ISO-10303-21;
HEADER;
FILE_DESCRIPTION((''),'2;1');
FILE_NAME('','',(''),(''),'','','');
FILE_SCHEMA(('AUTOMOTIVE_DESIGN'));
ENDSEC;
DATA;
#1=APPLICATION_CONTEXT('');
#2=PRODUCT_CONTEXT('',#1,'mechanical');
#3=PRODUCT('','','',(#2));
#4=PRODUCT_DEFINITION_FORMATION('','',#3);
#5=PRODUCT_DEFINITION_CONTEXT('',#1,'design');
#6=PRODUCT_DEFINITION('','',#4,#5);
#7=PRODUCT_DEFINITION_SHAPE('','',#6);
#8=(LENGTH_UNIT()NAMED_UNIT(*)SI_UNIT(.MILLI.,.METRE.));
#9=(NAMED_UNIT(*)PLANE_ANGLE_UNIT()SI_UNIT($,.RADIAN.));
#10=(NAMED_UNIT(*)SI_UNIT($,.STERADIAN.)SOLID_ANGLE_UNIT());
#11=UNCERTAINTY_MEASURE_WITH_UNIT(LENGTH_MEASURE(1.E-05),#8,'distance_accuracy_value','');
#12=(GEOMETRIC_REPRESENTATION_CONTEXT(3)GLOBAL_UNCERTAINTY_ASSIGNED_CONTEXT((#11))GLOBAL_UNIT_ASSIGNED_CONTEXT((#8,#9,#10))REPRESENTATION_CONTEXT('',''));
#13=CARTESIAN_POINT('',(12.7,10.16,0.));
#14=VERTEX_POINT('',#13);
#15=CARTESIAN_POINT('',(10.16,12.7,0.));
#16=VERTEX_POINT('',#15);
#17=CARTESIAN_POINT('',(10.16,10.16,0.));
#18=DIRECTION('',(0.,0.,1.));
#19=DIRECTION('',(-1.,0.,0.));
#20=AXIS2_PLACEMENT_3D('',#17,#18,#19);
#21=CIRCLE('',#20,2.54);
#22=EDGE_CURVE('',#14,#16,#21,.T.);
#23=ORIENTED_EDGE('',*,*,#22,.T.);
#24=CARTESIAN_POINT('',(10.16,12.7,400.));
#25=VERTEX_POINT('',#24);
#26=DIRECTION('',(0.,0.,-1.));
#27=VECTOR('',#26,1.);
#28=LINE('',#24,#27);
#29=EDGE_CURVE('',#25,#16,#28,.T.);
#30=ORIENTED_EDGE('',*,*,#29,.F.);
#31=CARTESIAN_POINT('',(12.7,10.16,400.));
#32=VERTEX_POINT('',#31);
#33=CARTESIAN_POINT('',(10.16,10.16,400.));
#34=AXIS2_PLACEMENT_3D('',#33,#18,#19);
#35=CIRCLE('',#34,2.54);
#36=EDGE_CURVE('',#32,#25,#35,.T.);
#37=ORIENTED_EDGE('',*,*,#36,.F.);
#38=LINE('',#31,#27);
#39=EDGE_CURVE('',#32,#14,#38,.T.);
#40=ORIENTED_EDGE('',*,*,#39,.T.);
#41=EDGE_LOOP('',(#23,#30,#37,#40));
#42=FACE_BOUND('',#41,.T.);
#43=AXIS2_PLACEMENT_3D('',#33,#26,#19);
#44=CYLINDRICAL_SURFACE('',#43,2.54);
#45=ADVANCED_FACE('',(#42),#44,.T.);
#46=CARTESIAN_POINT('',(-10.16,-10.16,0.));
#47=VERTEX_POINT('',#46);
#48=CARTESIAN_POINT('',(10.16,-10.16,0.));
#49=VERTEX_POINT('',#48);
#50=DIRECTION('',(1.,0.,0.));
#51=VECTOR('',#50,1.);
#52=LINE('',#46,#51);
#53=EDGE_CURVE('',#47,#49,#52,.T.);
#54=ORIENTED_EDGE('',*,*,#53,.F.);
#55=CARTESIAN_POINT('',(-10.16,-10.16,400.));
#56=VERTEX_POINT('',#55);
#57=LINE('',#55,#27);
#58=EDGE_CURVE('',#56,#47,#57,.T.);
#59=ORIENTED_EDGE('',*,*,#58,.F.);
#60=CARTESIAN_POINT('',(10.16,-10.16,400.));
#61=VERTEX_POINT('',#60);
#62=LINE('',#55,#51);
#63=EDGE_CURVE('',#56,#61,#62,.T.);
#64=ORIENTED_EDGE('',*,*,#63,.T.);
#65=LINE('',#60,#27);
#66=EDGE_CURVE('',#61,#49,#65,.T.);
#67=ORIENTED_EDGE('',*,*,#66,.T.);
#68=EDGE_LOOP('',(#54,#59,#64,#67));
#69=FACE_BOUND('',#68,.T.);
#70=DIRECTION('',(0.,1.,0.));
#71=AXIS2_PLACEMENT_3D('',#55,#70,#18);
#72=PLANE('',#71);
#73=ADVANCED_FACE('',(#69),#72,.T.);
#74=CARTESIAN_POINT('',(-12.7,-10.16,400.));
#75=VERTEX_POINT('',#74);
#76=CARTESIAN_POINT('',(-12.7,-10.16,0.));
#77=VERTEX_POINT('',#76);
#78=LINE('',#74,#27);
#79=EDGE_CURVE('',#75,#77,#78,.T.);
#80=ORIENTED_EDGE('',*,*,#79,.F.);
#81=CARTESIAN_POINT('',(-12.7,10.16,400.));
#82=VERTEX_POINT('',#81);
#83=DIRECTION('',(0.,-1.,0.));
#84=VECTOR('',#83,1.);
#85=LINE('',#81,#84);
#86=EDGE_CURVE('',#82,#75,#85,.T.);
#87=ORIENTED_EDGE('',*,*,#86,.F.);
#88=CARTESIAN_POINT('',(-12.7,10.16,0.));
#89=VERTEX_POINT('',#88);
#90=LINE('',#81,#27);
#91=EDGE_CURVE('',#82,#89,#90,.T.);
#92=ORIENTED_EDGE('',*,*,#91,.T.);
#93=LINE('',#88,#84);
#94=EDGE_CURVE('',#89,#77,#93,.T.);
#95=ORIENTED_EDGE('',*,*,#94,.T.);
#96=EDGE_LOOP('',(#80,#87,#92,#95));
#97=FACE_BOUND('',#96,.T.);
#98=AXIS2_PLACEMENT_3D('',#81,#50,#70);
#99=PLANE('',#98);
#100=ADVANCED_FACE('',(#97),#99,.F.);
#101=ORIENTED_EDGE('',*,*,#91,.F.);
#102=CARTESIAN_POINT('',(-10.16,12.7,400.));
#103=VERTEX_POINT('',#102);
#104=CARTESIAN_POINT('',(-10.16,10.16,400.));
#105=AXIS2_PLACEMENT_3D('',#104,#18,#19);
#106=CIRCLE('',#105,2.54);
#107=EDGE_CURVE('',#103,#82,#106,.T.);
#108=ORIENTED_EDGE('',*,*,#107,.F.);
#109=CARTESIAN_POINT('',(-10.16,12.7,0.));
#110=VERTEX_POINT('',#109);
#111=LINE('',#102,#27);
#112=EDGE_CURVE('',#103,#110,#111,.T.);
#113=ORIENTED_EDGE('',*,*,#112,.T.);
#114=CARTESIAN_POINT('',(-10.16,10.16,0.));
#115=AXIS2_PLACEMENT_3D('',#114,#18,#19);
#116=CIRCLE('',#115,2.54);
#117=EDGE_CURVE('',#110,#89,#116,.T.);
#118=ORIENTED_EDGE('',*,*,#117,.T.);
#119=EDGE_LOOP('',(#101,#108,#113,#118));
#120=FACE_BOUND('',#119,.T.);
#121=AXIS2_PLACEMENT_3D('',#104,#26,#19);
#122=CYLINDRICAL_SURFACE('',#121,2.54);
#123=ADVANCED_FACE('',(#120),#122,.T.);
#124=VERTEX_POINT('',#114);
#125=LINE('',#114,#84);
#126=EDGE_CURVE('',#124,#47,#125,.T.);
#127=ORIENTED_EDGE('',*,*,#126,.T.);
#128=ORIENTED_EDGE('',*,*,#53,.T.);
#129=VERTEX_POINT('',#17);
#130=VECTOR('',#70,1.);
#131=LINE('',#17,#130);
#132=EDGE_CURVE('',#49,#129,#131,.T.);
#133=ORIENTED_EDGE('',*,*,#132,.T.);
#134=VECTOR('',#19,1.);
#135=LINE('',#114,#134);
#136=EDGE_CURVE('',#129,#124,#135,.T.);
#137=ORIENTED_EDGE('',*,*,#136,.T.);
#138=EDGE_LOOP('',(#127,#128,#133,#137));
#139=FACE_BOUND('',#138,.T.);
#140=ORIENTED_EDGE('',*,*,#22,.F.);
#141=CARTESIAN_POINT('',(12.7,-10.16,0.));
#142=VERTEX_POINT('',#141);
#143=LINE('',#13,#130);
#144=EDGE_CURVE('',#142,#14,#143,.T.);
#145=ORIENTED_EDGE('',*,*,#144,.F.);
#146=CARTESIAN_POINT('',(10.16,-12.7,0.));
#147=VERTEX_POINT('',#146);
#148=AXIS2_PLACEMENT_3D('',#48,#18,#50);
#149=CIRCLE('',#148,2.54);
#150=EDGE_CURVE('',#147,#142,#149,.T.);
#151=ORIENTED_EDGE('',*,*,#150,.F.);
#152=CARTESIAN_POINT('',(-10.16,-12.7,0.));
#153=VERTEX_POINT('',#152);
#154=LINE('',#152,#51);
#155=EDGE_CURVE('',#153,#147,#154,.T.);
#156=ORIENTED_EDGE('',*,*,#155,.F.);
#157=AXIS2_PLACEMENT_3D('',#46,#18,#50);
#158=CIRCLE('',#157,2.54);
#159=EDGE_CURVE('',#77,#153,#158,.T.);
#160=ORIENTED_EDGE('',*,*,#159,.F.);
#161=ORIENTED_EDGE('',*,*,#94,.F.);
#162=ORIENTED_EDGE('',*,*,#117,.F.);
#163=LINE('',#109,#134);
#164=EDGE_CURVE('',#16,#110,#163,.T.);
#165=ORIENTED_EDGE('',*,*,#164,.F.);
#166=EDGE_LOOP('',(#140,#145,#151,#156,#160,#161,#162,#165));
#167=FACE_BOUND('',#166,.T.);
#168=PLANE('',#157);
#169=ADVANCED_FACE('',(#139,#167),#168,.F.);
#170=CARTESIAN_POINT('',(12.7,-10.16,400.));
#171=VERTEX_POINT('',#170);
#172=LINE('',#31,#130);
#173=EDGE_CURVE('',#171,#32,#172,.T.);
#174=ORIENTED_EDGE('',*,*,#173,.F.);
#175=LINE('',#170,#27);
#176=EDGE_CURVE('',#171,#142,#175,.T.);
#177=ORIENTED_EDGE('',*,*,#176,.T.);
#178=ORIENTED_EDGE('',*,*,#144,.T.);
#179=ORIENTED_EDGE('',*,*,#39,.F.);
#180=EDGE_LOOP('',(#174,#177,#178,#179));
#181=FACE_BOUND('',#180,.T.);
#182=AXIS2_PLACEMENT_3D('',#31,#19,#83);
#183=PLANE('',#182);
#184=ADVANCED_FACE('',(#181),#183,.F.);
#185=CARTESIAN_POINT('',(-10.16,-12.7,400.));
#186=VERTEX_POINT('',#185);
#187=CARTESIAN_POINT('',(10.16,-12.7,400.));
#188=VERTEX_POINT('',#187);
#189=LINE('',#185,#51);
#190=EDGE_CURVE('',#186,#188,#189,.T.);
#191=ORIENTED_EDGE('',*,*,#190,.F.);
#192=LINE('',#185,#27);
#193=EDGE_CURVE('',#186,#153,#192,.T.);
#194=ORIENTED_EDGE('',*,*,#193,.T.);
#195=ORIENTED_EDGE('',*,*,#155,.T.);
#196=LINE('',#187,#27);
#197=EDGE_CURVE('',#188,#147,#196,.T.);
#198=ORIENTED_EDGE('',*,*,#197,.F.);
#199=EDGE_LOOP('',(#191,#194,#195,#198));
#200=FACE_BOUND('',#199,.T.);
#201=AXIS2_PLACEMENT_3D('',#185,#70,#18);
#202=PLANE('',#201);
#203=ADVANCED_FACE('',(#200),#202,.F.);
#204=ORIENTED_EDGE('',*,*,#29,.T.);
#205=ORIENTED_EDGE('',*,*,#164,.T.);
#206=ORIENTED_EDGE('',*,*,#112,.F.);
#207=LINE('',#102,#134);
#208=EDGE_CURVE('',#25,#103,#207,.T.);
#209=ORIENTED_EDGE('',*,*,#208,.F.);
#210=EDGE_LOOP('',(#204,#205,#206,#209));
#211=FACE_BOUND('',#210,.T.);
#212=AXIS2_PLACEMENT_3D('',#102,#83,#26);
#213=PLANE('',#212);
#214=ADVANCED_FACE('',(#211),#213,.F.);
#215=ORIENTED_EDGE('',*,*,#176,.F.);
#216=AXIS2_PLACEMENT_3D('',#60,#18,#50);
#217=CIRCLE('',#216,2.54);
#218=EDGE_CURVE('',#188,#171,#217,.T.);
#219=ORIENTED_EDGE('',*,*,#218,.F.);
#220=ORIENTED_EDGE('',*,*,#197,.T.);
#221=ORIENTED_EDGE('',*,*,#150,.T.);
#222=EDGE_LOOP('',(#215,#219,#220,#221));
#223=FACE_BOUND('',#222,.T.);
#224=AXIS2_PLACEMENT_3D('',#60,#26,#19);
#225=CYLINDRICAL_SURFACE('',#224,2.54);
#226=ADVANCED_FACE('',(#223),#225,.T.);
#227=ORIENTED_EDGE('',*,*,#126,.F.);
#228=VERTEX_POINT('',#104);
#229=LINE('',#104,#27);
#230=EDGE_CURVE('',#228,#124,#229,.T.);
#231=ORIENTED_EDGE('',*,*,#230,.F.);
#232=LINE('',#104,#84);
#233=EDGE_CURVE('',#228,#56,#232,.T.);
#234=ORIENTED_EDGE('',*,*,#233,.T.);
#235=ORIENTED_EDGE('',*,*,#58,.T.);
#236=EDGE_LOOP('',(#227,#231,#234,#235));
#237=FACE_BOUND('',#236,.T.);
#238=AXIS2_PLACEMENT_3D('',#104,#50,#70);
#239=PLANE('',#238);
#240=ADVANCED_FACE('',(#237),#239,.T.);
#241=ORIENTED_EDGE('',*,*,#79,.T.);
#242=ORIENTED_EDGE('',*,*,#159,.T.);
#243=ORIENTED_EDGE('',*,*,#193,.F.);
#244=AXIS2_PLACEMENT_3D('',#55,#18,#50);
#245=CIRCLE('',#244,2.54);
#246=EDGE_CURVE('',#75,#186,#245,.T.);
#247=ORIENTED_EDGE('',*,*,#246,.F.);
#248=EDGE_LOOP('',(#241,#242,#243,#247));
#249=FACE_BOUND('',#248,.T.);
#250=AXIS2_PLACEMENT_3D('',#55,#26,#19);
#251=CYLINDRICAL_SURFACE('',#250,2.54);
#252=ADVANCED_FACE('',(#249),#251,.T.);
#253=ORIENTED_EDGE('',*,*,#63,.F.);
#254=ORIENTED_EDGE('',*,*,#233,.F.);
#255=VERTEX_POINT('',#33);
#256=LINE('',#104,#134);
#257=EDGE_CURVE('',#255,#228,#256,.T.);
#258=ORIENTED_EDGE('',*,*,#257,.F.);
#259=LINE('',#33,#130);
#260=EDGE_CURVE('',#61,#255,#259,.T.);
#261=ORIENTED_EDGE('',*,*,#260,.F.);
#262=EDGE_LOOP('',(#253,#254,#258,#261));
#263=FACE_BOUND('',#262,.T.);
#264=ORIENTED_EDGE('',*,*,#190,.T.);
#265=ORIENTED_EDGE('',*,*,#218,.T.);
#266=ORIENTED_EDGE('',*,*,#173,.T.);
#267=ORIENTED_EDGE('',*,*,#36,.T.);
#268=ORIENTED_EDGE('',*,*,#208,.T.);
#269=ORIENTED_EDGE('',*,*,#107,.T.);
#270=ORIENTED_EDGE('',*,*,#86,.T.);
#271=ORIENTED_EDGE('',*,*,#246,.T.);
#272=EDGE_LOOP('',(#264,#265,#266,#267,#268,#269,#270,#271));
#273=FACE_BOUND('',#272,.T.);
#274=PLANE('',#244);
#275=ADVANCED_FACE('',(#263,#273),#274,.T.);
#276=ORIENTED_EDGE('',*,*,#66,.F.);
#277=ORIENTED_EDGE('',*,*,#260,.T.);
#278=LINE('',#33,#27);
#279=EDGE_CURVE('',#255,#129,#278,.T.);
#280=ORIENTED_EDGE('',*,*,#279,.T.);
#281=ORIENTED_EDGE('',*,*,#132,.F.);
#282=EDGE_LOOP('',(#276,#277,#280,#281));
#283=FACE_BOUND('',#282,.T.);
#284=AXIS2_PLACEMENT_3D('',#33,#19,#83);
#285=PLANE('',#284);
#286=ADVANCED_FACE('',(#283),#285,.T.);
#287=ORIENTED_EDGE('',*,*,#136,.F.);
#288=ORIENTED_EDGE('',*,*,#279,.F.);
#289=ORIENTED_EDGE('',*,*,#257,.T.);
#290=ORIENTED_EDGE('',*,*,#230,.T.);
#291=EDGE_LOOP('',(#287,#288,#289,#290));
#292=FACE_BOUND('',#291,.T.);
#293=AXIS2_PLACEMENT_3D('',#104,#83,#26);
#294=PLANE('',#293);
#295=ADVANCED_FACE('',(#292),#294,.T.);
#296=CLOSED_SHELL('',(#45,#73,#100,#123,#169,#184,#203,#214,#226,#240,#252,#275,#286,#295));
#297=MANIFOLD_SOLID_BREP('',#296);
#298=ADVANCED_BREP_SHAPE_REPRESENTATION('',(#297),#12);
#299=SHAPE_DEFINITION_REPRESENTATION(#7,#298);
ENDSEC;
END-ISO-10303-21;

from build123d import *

# Parameters (mm, degrees)
SKETCH1_W           = 20.32
SKETCH1_H           = 20.32
BOSS_EXTRUDE1_DEPTH = 400


with BuildPart() as part:
    # Sketch1 → Boss-Extrude1 (new body)
    with BuildSketch(Plane.XY):
        with BuildLine():
            Line((-10.16, 12.7), (10.16, 12.7))
            ThreePointArc((10.16, 12.7), (11.956051224, 11.956051224), (12.7, 10.16))
            Line((12.7, 10.16), (12.7, -10.16))
            ThreePointArc((12.7, -10.16), (11.956051224, -11.956051224), (10.16, -12.7))
            Line((10.16, -12.7), (-10.16, -12.7))
            ThreePointArc((-10.16, -12.7), (-11.956051224, -11.956051224), (-12.7, -10.16))
            Line((-12.7, -10.16), (-12.7, 10.16))
            ThreePointArc((-12.7, 10.16), (-11.956051224, 11.956051224), (-10.16, 12.7))
        make_face()
        Rectangle(SKETCH1_W, SKETCH1_H, mode=Mode.SUBTRACT)
    extrude(amount=BOSS_EXTRUDE1_DEPTH)


solid = part.part
